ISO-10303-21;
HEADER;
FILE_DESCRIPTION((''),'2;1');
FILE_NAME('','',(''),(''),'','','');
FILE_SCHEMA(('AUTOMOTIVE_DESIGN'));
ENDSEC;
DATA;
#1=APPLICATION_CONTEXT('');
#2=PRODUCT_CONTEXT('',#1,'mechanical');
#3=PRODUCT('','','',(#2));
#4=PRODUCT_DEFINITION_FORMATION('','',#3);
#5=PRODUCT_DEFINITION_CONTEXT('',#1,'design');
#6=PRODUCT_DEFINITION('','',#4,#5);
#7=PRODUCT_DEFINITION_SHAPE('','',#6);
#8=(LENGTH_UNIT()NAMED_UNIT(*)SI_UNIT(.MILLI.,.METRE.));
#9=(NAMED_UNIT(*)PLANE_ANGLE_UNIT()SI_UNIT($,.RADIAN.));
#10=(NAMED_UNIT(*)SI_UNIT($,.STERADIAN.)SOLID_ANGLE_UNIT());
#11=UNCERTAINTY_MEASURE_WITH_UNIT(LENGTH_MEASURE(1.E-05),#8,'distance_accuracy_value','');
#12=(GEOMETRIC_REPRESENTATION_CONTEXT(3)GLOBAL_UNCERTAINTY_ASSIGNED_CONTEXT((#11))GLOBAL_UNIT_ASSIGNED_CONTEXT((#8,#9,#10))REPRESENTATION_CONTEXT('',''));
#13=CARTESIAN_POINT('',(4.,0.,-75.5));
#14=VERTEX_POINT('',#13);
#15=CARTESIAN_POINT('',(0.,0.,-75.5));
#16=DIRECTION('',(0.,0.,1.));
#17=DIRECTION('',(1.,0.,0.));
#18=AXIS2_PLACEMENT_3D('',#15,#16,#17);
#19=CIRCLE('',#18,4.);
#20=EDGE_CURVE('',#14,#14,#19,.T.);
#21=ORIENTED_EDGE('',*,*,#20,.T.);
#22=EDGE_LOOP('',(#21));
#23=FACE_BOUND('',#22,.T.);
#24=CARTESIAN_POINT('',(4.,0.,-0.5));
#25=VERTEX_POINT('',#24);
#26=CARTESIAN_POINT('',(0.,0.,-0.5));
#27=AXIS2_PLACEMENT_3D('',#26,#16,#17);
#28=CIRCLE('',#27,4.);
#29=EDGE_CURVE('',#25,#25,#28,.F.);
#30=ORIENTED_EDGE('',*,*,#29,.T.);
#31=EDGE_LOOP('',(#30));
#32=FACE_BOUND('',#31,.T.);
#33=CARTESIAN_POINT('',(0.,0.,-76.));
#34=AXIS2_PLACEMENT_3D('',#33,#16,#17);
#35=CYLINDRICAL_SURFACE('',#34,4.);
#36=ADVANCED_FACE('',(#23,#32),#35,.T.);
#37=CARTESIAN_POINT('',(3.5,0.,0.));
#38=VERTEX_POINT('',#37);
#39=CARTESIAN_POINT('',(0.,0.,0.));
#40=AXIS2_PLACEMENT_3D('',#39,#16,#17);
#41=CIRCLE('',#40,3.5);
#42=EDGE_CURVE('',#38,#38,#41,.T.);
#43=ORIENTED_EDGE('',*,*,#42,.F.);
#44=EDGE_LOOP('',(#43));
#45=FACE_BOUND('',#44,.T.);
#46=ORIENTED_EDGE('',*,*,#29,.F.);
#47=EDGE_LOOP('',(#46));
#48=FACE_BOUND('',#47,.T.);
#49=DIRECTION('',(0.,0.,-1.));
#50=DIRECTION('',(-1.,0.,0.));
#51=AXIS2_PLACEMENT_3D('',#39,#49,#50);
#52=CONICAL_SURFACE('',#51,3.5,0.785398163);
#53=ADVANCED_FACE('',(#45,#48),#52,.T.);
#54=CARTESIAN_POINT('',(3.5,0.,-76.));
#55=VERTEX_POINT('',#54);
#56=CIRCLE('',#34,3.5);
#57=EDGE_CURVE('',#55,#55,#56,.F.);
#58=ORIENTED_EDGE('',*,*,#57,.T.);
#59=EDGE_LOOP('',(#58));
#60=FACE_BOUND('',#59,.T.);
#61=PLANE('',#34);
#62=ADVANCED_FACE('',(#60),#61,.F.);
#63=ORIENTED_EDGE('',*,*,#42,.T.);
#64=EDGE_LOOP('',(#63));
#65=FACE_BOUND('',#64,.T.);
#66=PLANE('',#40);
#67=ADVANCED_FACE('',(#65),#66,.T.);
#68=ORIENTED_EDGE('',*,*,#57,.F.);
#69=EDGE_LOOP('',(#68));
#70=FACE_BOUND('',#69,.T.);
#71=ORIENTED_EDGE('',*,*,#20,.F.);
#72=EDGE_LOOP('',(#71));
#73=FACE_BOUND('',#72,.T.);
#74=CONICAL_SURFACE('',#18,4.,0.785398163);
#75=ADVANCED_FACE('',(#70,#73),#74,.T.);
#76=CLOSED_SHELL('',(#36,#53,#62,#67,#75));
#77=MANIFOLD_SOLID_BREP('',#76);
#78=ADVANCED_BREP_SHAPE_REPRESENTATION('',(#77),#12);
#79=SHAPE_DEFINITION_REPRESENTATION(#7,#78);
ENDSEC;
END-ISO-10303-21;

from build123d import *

# Parameters (mm, degrees)
CROQUIS1_R              = 4
SALIENTE_EXTRUIR1_DEPTH = 76
CHAFL_N1_SIZE           = 0.5


with BuildPart() as part:
    # Croquis1 → Saliente-Extruir1 (new body)
    with BuildSketch(Plane.XY):
        Circle(CROQUIS1_R)
    extrude(amount=-SALIENTE_EXTRUIR1_DEPTH)

    # Chaflán1
    chafl_n1_edges = [part.edges().sort_by_distance(p)[0] for p in [
        (-4, 0, 0),
        (-4, 0, -76),
    ]]
    chamfer(chafl_n1_edges, length=CHAFL_N1_SIZE)


solid = part.part
